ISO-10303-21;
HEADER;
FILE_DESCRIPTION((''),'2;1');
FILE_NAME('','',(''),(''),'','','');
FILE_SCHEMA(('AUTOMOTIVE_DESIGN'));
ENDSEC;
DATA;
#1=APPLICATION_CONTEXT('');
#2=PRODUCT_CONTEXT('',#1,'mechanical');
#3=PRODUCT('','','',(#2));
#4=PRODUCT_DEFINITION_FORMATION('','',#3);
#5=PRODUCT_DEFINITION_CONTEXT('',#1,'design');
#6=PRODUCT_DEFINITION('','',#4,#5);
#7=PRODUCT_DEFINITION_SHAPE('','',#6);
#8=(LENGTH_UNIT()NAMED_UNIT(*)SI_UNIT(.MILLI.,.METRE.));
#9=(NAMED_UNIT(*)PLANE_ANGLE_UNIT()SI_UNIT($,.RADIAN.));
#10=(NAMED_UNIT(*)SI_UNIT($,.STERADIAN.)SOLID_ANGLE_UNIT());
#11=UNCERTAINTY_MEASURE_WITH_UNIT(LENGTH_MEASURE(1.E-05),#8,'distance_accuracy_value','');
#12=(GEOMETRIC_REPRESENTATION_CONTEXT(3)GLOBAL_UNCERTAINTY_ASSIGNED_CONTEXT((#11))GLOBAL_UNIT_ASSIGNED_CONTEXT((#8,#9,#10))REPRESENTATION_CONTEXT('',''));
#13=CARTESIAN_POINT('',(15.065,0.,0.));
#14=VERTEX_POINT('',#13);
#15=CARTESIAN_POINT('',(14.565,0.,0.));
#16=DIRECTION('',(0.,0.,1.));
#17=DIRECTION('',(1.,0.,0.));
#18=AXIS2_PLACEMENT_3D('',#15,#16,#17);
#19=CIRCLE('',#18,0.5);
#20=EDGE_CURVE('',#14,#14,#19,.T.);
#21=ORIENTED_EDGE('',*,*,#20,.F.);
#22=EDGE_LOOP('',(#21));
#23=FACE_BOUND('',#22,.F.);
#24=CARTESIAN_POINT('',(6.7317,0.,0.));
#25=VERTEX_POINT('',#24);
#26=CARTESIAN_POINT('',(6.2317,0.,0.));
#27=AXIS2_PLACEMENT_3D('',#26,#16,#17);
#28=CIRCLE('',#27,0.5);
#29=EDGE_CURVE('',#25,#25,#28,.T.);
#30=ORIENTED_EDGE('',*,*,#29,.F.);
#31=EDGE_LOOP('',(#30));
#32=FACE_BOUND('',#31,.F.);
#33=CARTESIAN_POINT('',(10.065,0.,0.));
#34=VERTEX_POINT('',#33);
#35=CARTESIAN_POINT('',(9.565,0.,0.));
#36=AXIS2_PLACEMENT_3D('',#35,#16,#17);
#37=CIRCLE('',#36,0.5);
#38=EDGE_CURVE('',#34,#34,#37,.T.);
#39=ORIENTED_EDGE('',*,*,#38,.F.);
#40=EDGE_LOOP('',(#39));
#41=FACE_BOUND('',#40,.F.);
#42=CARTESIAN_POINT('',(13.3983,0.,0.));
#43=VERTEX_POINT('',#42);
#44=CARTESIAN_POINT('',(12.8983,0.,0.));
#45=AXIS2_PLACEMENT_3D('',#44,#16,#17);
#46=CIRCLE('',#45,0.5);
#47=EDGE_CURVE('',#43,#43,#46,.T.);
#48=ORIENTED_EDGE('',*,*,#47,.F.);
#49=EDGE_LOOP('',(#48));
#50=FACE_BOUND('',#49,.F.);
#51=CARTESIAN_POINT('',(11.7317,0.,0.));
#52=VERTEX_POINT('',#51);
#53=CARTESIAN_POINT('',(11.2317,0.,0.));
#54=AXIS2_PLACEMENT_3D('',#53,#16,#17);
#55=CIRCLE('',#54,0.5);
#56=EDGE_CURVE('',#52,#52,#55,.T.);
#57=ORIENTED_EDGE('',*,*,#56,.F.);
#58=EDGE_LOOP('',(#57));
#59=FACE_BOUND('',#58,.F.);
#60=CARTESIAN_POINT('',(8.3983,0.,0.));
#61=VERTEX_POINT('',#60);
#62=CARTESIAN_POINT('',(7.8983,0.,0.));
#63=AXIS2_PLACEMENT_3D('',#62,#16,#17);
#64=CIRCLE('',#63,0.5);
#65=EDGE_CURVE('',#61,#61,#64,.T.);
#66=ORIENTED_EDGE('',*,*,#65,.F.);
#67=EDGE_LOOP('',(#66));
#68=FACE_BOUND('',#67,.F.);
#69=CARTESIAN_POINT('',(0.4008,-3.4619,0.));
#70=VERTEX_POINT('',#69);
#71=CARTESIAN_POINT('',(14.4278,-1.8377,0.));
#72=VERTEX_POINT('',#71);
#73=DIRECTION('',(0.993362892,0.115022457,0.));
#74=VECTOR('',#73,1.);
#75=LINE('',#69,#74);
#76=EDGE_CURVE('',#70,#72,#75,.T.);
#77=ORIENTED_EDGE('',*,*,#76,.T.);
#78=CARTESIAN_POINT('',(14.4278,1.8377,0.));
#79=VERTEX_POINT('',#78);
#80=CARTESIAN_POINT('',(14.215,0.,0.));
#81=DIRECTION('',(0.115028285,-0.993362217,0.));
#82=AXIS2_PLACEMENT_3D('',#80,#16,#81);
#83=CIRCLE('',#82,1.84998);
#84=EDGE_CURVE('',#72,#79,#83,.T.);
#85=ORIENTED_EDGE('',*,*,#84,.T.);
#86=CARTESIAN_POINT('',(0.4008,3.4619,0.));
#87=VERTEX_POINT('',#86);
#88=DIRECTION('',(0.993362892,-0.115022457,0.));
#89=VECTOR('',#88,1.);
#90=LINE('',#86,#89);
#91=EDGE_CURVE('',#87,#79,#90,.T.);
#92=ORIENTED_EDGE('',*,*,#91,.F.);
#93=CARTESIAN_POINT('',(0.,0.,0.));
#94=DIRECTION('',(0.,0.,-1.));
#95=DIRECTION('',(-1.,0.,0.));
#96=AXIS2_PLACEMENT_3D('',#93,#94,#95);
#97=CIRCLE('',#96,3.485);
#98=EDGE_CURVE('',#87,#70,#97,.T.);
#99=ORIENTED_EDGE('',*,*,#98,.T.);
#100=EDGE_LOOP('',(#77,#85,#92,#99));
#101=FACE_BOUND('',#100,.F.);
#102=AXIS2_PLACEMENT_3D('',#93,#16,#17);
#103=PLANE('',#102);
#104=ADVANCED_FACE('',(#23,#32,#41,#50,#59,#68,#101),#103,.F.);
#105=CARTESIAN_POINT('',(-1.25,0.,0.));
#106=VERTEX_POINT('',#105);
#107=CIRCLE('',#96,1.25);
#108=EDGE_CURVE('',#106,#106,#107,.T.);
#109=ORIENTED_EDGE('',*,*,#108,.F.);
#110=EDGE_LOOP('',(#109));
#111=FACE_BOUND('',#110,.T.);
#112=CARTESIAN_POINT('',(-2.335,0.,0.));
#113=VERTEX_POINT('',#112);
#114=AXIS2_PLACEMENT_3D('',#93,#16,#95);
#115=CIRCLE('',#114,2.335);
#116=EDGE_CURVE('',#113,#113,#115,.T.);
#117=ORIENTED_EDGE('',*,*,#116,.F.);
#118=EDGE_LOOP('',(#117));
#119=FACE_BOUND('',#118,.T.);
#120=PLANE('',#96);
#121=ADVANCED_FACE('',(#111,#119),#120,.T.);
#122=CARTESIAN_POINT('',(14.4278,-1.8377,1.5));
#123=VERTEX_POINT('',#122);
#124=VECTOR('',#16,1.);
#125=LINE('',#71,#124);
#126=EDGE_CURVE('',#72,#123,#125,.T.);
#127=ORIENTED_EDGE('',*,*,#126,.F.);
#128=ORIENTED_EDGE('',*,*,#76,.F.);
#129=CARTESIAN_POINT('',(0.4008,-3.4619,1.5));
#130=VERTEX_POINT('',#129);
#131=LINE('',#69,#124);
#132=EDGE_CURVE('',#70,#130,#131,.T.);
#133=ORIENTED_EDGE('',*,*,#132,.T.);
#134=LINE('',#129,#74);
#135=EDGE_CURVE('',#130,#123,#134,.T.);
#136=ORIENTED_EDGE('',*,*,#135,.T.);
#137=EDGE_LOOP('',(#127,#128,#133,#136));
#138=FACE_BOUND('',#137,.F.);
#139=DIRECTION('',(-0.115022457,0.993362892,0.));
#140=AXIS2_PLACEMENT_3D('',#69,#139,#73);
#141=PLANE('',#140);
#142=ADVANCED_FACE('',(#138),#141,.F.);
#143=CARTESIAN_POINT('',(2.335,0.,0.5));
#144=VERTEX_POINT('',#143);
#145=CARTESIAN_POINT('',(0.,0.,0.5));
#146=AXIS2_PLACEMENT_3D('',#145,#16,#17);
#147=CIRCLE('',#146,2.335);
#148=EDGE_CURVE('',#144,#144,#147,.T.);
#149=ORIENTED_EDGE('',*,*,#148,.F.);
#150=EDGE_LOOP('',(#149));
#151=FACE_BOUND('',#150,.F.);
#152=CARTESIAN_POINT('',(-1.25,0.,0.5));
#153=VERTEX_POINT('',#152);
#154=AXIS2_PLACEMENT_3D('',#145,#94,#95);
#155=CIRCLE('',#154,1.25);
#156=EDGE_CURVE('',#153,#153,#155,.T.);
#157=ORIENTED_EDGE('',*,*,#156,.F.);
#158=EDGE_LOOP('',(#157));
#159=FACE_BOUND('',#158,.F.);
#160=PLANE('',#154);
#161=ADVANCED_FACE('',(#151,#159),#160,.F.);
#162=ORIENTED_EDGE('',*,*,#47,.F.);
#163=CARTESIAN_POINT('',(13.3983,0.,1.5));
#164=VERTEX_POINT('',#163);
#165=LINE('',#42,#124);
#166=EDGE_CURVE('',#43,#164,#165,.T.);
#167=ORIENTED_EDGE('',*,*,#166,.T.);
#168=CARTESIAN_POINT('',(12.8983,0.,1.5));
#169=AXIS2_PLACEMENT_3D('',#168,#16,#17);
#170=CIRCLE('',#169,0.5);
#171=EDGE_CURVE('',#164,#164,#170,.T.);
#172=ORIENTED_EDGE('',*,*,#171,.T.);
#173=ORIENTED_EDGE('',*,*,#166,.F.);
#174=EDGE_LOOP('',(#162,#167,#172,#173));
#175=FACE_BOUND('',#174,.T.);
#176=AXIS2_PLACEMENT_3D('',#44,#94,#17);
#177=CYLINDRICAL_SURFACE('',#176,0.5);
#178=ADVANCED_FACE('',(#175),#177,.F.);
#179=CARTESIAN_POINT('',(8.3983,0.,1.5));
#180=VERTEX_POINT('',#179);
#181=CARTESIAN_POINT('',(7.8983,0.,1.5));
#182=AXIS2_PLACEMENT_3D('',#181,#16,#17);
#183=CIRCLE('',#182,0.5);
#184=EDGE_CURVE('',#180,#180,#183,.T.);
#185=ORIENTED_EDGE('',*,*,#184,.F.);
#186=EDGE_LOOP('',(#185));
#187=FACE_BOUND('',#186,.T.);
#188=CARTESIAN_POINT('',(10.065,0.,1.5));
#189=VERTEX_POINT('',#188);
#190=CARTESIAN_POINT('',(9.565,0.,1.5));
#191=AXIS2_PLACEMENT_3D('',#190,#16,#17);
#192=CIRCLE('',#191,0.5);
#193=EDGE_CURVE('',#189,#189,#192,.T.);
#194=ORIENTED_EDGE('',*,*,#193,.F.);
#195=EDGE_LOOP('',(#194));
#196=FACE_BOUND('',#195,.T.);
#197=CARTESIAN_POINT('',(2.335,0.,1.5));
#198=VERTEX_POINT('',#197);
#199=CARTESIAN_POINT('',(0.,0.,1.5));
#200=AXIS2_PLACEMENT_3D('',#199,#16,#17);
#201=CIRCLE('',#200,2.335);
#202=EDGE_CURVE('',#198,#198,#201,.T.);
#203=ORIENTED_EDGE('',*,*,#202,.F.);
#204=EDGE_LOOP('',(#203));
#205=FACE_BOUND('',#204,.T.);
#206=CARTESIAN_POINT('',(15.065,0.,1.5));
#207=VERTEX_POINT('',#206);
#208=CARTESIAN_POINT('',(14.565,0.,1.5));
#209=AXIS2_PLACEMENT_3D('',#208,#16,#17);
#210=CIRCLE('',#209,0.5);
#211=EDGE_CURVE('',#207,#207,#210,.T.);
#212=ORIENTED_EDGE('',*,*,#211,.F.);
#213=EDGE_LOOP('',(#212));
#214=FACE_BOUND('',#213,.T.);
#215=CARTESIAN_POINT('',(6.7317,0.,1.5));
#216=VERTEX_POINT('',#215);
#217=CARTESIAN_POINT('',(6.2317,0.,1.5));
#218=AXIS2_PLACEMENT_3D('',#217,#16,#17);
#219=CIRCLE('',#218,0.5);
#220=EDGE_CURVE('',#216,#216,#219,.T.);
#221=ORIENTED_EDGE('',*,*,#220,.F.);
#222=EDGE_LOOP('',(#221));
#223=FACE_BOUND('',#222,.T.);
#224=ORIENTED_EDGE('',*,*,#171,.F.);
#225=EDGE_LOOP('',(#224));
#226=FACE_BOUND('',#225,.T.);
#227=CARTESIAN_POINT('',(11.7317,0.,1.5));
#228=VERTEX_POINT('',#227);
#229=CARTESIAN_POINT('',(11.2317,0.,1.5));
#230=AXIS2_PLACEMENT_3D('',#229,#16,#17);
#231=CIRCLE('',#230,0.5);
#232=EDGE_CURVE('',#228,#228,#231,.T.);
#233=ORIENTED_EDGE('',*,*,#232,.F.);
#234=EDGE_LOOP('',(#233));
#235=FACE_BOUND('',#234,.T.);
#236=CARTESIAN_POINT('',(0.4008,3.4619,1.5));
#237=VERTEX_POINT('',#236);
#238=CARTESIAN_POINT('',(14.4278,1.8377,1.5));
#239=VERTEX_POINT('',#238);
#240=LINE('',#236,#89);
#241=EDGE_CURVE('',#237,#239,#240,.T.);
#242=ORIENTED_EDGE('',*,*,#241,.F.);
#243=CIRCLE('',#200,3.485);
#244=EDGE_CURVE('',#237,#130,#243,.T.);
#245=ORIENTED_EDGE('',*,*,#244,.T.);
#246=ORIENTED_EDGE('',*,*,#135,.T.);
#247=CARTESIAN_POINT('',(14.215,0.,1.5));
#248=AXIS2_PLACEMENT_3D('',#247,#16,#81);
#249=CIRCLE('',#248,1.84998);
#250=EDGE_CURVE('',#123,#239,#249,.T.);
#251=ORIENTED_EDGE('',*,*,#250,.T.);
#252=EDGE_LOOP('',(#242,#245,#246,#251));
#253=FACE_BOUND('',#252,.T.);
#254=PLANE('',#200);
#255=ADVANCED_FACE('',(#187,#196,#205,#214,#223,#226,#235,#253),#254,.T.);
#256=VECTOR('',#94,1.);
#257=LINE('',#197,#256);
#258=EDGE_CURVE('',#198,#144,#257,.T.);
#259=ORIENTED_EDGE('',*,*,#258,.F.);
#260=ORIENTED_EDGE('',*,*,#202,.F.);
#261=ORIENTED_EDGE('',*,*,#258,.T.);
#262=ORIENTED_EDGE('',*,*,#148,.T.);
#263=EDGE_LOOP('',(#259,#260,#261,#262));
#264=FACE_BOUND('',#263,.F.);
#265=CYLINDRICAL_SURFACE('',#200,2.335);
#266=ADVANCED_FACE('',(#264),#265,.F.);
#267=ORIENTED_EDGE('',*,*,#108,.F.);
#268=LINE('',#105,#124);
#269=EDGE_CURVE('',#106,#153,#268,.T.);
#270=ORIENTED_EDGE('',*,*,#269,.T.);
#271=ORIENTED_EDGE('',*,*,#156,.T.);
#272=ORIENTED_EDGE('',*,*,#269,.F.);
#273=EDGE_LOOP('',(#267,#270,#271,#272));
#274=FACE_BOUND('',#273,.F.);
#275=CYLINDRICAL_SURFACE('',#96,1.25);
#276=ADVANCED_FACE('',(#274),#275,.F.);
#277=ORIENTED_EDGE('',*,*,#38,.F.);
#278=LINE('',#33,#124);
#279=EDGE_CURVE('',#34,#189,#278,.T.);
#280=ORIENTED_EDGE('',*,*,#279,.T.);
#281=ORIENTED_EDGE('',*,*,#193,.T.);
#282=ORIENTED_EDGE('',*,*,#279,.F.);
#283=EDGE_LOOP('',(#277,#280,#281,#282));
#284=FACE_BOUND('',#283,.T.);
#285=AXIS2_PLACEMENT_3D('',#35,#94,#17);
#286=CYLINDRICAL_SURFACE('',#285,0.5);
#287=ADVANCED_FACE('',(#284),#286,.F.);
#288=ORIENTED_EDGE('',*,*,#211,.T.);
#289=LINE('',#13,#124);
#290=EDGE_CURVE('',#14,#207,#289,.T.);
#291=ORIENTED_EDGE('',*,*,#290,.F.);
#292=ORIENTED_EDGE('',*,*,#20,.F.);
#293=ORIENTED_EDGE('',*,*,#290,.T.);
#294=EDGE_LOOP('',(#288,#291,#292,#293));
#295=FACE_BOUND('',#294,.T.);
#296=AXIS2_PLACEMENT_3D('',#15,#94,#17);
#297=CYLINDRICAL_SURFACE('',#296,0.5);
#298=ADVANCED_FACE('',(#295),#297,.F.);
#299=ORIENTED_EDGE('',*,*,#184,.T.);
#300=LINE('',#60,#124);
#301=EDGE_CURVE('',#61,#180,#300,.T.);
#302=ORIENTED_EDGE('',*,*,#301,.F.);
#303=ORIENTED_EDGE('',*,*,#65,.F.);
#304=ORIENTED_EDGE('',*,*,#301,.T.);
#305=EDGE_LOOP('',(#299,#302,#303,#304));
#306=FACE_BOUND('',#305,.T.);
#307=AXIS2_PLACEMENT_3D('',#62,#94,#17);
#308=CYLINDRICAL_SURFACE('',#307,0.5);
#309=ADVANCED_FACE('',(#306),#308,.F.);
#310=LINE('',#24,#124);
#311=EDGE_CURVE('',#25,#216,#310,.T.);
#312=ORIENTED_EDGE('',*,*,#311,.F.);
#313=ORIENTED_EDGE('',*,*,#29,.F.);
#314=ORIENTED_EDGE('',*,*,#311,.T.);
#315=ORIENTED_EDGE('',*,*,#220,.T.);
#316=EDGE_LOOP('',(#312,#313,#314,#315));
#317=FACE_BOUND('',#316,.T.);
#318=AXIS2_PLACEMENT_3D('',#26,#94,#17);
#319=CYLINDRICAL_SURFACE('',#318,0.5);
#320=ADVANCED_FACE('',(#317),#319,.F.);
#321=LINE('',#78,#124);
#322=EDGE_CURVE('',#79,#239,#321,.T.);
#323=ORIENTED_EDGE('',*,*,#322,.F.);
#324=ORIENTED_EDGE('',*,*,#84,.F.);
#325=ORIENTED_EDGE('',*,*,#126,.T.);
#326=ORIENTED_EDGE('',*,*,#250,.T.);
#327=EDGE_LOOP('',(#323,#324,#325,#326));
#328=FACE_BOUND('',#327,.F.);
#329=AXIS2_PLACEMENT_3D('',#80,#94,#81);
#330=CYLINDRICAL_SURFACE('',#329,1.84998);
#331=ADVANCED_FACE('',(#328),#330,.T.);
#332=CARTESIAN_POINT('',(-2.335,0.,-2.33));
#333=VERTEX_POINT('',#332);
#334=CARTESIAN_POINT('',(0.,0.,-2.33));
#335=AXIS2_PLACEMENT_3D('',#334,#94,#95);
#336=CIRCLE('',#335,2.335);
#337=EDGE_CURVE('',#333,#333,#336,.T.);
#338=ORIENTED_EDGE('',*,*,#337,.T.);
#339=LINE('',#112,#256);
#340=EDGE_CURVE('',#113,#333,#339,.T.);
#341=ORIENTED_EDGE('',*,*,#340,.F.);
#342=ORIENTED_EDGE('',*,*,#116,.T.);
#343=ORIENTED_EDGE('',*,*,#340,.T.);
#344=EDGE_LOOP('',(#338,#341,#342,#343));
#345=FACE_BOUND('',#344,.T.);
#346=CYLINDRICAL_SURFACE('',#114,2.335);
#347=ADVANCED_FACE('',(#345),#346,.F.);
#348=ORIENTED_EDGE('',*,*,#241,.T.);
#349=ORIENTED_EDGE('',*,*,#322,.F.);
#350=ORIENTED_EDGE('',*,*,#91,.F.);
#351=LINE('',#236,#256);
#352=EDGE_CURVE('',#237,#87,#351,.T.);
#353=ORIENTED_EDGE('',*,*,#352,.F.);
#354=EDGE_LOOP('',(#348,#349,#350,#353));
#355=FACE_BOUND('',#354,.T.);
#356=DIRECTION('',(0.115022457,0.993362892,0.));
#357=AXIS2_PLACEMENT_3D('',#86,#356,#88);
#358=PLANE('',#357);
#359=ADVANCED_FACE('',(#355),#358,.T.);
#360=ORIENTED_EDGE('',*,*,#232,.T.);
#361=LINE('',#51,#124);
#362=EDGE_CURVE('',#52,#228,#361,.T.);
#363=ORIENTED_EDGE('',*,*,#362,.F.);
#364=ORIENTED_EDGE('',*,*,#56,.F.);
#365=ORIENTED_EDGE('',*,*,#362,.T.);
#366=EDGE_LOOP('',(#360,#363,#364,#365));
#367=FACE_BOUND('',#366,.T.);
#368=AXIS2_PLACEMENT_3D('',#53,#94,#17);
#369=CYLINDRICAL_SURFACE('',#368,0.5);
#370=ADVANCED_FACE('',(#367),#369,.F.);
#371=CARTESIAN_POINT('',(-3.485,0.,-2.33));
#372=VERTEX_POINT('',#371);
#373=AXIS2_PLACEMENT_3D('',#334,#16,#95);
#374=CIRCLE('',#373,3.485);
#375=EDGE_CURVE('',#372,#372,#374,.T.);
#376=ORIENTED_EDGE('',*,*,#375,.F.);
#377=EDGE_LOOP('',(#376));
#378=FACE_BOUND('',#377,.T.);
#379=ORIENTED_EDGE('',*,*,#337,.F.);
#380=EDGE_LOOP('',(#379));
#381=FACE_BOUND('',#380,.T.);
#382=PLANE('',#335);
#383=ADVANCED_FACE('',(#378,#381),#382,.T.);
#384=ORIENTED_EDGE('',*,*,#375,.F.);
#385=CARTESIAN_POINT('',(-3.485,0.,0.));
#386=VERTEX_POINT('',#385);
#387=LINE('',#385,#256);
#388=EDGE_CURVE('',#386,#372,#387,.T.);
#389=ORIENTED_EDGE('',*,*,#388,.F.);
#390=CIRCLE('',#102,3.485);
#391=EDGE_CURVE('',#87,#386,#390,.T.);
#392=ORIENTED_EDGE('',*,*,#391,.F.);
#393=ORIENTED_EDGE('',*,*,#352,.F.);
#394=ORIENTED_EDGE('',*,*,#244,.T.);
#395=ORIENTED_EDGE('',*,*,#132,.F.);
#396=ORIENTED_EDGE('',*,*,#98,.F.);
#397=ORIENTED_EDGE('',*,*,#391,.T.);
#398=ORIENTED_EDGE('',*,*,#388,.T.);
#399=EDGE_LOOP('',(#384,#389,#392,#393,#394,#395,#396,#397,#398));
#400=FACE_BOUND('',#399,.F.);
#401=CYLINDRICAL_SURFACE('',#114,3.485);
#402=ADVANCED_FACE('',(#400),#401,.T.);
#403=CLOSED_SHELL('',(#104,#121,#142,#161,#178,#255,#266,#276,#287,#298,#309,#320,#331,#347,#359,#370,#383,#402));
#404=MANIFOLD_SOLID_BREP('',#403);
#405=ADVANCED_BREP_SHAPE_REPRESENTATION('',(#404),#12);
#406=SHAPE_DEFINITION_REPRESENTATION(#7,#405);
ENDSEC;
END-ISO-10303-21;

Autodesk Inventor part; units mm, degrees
ref_plane "YZ Plane" through (0, 0, 0) normal (1, 0, 0) x (0, 1, 0)
ref_plane "XZ Plane" through (0, 0, 0) normal (0, 1, 0) x (-1, 0, 0)
ref_plane "XY Plane" through (0, 0, 0) normal (0, 0, 1) x (1, 0, 0)
sketch "Sketch1" plane through (0, 0, 0) normal (0, 0, 1) x (1, 0, 0)
  circle A0 centre (0, 0) radius 3.485
  arc A1 (14.4278, -1.8377) -> (14.4278, 1.8377) centre (14.215, 0) ccw
  line L0 (0.4008, 3.4619) -> (14.4278, 1.8377)
  line L1 (0.4008, -3.4619) -> (14.4278, -1.8377)
  line L2 (0, 0) -> (14.215, 0) construction
  line L3 (16.065, 5.1941) -> (16.065, -8.7582) construction
  line L4 (-3.485, 10.888) -> (-3.485, -12.1485) construction
  circle A2 centre (6.2317, 0) radius 0.5
  circle A3 centre (7.8983, 0) radius 0.5
  circle A4 centre (9.565, 0) radius 0.5
  circle A5 centre (11.2317, 0) radius 0.5
  circle A6 centre (12.8983, 0) radius 0.5
  circle A7 centre (14.565, 0) radius 0.5
  dimension "d1" = 19.55
  dimension "d2" = 1.85
  dimension "d3" = 6.97
  dimension "d4" = 1
  dimension "d7" = 1.6667
  dimension "d12" = 1.5
extrude "Extrusion1" add sketch "Sketch1" along normal blind 1.5
sketch "Sketch2" plane through (0, 0, 1.5) normal (0, 0, 1) x (1, 0, 0)
  arc A0 (0.4008, 3.4619) -> (0.4008, -3.4619) centre (0, 0) ccw projected
  circle A1 centre (0, 0) radius 1.25
  circle A2 centre (0, 0) radius 2.335
  dimension "d15" = 4.67
  dimension "d16" = 2.5
extrude "Extrusion2" cut sketch "Sketch2" against normal blind 1.5 contours A1 | A2
sketch "Sketch3" plane through (0, 0, 0) normal (0, 0, -1) x (-1, 0, 0)
  circle A0 centre (0, 0) radius 2.335 projected
  circle A1 centre (0, 0) radius 3.485
  line L0 (-0.4008, -3.4619) -> (-14.4278, -1.8377) projected
extrude "Extrusion3" add sketch "Sketch3" along normal blind 2.33
sketch "Sketch4" plane through (0, 0, 0) normal (0, 0, -1) x (-1, 0, 0)
  circle A0 centre (0, 0) radius 1.25
  circle A1 centre (0, 0) radius 3.485
  circle A2 centre (0, 0) radius 3.485 projected
  dimension "d21" = 2.5
extrude "Extrusion4" add sketch "Sketch4" against normal blind 0.5
properties part number "servo-horn-b"
